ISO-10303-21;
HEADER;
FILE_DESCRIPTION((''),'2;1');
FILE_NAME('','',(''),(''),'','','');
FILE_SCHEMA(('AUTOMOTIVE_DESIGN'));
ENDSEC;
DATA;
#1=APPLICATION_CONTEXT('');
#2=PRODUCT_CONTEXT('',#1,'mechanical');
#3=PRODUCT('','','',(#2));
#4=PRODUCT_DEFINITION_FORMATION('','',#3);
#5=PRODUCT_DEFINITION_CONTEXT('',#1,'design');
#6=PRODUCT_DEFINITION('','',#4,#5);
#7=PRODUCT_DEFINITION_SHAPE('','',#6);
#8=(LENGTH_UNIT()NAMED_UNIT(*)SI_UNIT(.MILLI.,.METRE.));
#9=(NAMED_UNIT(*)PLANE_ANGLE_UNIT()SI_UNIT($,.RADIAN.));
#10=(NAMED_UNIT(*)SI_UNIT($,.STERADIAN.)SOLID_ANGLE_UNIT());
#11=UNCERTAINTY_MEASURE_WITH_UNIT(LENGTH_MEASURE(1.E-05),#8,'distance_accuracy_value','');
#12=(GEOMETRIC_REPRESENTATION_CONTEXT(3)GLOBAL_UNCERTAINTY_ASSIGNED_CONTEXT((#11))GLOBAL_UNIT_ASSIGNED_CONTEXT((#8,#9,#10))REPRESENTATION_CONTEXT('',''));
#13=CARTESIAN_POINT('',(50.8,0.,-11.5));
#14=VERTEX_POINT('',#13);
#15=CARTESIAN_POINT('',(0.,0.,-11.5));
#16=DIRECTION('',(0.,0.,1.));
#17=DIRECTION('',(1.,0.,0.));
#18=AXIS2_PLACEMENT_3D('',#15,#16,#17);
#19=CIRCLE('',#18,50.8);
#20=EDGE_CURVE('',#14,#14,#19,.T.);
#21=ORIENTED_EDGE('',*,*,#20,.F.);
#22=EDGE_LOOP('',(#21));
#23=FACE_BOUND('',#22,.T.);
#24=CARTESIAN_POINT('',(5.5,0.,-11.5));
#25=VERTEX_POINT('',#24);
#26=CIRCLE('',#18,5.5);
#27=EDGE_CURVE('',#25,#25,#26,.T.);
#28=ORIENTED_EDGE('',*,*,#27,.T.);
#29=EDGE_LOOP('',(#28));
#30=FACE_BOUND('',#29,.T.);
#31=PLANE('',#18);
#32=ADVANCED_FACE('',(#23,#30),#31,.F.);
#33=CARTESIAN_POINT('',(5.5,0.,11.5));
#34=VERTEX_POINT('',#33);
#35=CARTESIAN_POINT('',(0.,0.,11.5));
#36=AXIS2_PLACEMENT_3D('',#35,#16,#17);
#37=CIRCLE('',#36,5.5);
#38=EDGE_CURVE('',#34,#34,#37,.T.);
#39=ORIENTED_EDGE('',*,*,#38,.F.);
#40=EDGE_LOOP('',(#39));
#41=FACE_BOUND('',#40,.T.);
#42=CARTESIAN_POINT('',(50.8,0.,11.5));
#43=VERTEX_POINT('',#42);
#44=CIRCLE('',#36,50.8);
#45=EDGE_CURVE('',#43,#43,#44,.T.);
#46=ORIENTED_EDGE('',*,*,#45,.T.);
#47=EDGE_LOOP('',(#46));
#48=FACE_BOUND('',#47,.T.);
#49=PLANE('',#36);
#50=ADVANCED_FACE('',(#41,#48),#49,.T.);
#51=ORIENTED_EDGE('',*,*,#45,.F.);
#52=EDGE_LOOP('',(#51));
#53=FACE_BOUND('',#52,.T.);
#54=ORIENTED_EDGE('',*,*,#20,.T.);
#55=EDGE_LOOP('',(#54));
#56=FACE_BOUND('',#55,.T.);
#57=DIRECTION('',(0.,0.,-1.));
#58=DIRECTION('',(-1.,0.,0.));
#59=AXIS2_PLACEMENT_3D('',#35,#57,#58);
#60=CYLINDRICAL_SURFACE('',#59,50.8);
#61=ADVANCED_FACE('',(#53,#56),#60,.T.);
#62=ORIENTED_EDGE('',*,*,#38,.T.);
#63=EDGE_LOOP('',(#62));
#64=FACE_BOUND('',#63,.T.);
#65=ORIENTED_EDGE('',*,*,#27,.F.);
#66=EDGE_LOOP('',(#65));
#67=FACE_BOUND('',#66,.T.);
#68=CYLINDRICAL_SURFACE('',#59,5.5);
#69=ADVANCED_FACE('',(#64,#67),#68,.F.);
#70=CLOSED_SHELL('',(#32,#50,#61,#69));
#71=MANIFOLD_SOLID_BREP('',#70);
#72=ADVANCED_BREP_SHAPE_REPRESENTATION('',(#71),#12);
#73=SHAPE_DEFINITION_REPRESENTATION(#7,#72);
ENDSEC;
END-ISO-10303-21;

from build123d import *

# Parameters (mm, degrees)
SKETCH_1_R      = 50.8
SKETCH_1_R_2    = 5.5
EXTRUDE_1_DEPTH = 11.5


with BuildPart() as part:
    # 草图1 → 凸台-拉伸1 (new, symmetric)
    with BuildSketch(Plane.XY):
        Circle(SKETCH_1_R)
        Circle(SKETCH_1_R_2, mode=Mode.SUBTRACT)
    extrude(amount=EXTRUDE_1_DEPTH, both=True)


solid = part.part
